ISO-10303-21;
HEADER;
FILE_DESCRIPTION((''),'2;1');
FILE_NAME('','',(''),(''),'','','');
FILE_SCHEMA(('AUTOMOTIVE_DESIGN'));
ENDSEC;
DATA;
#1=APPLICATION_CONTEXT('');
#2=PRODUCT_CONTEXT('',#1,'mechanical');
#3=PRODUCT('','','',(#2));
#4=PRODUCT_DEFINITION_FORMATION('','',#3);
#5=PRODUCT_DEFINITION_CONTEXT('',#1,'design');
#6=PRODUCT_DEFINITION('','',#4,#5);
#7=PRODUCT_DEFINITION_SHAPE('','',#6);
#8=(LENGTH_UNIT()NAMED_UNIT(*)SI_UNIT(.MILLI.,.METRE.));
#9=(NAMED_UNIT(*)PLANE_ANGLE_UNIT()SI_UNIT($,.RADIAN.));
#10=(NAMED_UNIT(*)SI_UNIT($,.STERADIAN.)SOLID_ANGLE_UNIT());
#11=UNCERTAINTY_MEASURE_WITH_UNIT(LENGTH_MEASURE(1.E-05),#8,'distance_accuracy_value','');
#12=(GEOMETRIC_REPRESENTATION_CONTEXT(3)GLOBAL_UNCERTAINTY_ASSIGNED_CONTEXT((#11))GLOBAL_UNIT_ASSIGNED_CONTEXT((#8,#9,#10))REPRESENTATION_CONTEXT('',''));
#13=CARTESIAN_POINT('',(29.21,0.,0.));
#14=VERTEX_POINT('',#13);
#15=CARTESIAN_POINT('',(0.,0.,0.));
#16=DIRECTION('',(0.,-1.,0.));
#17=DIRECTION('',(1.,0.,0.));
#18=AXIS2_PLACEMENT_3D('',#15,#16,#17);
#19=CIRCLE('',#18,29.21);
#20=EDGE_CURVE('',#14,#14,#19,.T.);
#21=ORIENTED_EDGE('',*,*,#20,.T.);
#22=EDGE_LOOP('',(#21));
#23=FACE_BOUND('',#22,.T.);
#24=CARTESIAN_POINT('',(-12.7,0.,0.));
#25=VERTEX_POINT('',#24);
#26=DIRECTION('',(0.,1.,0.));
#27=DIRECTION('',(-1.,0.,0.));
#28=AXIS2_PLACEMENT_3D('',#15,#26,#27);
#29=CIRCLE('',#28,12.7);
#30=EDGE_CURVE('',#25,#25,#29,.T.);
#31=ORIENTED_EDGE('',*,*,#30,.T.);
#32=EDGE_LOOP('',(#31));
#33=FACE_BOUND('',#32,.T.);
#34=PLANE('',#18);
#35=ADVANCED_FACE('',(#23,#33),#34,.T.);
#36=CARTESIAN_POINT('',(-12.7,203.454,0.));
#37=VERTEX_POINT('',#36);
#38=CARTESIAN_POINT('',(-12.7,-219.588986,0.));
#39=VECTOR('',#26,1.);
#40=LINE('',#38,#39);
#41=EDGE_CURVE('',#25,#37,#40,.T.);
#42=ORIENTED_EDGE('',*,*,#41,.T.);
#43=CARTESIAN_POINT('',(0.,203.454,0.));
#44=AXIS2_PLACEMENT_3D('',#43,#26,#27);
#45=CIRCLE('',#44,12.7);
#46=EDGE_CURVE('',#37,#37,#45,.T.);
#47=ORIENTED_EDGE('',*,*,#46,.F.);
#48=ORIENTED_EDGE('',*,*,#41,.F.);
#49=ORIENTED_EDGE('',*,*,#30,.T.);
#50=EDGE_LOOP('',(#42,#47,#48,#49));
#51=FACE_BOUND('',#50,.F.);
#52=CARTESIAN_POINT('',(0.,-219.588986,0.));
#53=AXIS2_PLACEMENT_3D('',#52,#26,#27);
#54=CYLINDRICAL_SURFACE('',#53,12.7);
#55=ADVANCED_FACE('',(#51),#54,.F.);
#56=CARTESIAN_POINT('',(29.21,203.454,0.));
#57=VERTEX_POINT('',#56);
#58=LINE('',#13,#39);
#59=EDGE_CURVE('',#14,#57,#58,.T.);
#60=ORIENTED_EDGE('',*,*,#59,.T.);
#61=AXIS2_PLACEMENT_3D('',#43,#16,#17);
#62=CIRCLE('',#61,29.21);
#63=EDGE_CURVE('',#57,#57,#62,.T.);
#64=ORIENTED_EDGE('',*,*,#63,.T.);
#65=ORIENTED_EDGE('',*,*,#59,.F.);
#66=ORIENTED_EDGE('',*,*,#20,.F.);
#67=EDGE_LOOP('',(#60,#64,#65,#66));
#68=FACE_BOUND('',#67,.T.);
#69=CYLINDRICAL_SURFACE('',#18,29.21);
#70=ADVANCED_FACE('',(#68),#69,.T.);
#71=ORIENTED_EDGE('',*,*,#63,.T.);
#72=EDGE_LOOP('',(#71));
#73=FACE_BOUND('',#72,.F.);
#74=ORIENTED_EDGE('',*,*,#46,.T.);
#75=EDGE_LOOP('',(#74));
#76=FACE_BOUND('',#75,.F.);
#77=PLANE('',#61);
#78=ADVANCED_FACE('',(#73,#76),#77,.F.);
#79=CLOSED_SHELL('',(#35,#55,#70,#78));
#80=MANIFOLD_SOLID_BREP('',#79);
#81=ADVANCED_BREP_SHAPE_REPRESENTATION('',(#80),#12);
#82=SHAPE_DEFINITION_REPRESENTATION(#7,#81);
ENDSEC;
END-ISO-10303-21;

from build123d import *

# Parameters (mm, degrees)
F0_R     = 29.21
F1_DEPTH = 203.454
F3_D     = 25.4


with BuildPart() as f1:
    # F0 (on Front) → F1 (new body)
    with BuildSketch(Plane.XZ):
        Circle(F0_R)
    extrude(amount=-F1_DEPTH)

    # F3 (through all)
    with Locations(Plane.XZ):
        with Locations((0, 0)):
            Hole(F3_D / 2)


solid = f1.part
